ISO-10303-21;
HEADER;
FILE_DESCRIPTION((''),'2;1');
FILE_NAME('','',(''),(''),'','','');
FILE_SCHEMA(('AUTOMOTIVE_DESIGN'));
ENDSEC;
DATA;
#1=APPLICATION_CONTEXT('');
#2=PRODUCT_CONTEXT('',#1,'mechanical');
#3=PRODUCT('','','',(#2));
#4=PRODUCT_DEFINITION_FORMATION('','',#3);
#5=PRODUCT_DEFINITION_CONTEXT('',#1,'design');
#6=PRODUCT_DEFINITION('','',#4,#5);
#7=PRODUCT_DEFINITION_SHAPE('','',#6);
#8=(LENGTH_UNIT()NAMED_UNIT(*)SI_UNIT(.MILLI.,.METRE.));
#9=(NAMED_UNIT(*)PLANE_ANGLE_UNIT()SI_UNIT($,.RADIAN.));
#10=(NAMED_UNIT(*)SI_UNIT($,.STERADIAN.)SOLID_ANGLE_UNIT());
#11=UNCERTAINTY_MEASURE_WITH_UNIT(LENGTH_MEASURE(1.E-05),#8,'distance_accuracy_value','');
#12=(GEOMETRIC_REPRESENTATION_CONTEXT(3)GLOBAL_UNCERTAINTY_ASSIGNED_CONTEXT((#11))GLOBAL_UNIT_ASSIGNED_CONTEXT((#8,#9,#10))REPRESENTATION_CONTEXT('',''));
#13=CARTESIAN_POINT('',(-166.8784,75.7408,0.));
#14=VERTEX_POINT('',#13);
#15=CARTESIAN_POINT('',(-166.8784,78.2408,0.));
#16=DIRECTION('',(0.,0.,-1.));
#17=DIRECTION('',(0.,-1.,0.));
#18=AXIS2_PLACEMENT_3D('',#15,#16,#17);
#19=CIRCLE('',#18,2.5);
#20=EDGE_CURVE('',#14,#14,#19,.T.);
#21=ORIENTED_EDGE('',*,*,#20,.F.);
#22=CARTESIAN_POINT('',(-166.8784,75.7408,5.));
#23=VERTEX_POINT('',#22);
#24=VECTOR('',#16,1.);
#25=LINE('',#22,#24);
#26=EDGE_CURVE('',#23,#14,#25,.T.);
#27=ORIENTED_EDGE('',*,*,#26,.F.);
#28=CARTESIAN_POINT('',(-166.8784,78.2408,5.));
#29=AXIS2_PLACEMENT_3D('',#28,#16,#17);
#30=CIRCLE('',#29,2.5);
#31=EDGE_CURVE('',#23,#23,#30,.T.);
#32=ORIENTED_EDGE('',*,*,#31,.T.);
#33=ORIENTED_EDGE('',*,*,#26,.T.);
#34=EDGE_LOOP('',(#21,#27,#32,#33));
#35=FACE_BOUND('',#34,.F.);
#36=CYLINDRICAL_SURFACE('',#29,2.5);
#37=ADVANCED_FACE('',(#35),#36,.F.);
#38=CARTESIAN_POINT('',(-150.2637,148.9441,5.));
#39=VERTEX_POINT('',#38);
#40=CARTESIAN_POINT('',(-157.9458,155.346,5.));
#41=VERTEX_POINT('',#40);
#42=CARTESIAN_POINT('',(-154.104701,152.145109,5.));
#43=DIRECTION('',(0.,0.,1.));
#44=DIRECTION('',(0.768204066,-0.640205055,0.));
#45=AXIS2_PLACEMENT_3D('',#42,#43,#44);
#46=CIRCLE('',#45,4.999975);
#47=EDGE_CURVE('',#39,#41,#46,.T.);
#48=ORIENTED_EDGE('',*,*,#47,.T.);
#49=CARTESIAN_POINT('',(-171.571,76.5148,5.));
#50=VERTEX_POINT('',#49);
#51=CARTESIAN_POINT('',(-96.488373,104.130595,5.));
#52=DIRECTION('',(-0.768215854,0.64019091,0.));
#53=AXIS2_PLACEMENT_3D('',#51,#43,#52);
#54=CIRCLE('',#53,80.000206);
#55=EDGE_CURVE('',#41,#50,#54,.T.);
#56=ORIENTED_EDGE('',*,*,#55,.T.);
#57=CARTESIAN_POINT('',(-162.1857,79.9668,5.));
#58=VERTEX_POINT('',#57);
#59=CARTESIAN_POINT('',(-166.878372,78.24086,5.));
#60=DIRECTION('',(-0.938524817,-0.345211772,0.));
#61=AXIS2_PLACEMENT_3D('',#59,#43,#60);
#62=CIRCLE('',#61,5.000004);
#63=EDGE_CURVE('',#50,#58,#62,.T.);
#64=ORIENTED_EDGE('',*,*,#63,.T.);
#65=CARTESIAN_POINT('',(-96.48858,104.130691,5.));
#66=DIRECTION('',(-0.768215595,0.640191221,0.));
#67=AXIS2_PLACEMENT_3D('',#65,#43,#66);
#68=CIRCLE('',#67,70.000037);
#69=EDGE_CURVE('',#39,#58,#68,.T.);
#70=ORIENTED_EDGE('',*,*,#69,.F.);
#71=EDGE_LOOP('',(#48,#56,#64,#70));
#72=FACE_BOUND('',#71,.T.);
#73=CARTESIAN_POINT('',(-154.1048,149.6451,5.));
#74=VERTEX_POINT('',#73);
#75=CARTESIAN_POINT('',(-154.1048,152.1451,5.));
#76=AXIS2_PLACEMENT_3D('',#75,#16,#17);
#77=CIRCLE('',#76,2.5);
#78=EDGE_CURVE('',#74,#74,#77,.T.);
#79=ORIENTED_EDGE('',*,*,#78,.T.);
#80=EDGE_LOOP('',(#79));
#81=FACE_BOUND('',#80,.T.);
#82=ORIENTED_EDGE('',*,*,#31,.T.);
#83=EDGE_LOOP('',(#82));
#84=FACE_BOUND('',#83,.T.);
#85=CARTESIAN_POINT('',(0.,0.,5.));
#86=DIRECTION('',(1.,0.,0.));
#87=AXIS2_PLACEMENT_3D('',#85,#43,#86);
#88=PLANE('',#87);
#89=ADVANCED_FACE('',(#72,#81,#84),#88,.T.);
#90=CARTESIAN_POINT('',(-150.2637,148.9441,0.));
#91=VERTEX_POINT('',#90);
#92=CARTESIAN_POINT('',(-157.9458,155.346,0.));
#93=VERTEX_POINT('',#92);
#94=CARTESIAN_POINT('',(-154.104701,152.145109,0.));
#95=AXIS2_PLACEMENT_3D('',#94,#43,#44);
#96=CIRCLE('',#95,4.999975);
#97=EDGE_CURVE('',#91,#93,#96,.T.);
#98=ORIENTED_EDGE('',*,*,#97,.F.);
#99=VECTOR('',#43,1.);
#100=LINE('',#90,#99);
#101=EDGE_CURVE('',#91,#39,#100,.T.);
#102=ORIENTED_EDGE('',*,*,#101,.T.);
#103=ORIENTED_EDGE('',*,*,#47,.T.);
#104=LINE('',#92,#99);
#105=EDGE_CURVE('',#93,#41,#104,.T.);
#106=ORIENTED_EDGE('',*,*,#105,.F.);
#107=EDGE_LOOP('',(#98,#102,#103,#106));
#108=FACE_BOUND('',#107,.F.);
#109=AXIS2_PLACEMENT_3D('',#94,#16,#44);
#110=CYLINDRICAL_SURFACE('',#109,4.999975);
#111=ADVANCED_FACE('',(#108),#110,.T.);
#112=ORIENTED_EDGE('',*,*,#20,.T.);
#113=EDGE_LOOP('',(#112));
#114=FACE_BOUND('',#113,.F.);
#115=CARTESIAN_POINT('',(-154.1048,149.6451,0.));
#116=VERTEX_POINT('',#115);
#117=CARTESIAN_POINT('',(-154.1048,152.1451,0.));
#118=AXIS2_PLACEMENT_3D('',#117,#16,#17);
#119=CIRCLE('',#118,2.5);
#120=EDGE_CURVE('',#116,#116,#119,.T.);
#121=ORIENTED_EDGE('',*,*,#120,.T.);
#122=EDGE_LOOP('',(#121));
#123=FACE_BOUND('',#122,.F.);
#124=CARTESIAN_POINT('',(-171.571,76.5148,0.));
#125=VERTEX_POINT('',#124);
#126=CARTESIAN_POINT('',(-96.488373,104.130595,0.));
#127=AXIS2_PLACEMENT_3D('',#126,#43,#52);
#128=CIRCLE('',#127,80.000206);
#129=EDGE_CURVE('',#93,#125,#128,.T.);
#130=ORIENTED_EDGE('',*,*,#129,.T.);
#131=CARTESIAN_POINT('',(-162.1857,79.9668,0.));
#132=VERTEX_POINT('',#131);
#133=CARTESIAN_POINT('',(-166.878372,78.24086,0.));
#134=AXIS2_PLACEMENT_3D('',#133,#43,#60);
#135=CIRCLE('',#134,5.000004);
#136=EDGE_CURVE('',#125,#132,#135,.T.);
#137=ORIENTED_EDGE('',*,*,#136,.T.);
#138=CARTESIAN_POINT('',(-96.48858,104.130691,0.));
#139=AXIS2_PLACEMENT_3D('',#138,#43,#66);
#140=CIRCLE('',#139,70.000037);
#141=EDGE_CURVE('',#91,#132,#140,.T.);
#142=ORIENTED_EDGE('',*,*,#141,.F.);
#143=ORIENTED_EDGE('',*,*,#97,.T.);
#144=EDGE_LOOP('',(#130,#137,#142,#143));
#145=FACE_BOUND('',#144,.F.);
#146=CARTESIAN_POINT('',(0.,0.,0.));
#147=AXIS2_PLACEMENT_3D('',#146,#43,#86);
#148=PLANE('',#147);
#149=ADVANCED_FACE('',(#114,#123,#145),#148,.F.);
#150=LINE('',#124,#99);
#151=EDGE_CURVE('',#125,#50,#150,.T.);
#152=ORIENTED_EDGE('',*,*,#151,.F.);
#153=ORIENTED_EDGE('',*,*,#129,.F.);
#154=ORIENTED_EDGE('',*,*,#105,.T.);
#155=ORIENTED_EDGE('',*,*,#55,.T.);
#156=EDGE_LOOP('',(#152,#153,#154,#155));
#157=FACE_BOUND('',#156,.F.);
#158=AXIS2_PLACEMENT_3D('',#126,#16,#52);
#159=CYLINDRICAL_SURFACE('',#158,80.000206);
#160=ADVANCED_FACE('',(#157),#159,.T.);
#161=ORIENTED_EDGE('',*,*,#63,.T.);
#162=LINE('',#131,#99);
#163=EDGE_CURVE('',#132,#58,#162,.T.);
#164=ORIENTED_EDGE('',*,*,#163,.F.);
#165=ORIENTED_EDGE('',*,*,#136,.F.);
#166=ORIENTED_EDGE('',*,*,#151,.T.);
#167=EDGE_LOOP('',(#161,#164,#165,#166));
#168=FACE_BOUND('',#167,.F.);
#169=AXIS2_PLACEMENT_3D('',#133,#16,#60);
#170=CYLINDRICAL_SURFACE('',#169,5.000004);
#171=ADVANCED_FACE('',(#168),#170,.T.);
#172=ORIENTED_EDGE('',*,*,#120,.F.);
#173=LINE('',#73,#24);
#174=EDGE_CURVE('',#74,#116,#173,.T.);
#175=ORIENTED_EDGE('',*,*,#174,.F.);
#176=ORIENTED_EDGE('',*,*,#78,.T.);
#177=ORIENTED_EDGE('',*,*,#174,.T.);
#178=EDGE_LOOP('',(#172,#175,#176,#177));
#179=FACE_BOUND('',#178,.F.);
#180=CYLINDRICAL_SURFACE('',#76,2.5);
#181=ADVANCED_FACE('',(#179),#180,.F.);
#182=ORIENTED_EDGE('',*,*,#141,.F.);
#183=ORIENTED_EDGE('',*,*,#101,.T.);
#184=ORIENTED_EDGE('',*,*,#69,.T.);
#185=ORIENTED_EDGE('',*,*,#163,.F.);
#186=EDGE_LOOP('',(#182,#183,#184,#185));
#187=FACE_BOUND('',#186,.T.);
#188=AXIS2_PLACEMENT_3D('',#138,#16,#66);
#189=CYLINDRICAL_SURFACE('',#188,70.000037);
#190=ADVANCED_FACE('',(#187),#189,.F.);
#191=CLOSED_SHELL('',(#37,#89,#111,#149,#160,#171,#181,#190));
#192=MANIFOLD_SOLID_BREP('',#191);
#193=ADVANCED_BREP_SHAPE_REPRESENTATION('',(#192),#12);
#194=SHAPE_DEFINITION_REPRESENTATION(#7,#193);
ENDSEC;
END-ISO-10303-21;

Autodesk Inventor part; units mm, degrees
ref_plane "YZ Plane" through (0, 0, 0) normal (1, 0, 0) x (0, 1, 0)
ref_plane "XZ Plane" through (0, 0, 0) normal (0, 1, 0) x (-1, 0, 0)
ref_plane "XY Plane" through (0, 0, 0) normal (0, 0, 1) x (1, 0, 0)
sketch "Sketch1" plane through (0, 0, 0) normal (0, 0, 1) x (1, 0, 0)
  arc A0 (-154.1048, 152.1451) -> (-166.8784, 78.2408) centre (-96.4886, 104.1307) ccw construction
  arc A1 (-157.9458, 155.346) -> (-171.571, 76.5148) centre (-96.4886, 104.1307) ccw
  arc A2 (-150.2637, 148.9441) -> (-162.1857, 79.9668) centre (-96.4886, 104.1307) ccw
  arc A3 (-150.2637, 148.9441) -> (-157.9458, 155.346) centre (-154.1048, 152.1451) ccw
  arc A4 (-171.571, 76.5148) -> (-162.1857, 79.9668) centre (-166.8784, 78.2408) ccw
  line L0 (-154.1048, 152.1451) -> (-96.4886, 104.1307) construction
  line L1 (-96.4886, 104.1307) -> (-166.8784, 78.2408) construction
  point P0 (0, 0)
  dimension "d1" = 75
  dimension "d2" = 10
  dimension "d5" = 60
extrude "Extrusion1" add sketch "Sketch1" along normal blind 5
sketch "Sketch2" plane through (0, 0, 5) normal (0, 0, 1) x (1, 0, 0)
  arc A0 (-157.9458, 155.346) -> (-171.571, 76.5148) centre (-96.4886, 104.1307) ccw projected
  arc A1 (-171.571, 76.5148) -> (-162.1857, 79.9668) centre (-166.8784, 78.2408) ccw projected
  arc A2 (-150.2637, 148.9441) -> (-162.1857, 79.9668) centre (-96.4886, 104.1307) ccw projected
  arc A3 (-150.2637, 148.9441) -> (-157.9458, 155.346) centre (-154.1048, 152.1451) ccw projected
  point P0 (0, 0)
hole "Hole1" at (-154.1048, 152.1451, 5) at (-166.8784, 78.2408, 5) direction (0, 0, -1) diameter 5 end through all
properties part number "ledeplate"
